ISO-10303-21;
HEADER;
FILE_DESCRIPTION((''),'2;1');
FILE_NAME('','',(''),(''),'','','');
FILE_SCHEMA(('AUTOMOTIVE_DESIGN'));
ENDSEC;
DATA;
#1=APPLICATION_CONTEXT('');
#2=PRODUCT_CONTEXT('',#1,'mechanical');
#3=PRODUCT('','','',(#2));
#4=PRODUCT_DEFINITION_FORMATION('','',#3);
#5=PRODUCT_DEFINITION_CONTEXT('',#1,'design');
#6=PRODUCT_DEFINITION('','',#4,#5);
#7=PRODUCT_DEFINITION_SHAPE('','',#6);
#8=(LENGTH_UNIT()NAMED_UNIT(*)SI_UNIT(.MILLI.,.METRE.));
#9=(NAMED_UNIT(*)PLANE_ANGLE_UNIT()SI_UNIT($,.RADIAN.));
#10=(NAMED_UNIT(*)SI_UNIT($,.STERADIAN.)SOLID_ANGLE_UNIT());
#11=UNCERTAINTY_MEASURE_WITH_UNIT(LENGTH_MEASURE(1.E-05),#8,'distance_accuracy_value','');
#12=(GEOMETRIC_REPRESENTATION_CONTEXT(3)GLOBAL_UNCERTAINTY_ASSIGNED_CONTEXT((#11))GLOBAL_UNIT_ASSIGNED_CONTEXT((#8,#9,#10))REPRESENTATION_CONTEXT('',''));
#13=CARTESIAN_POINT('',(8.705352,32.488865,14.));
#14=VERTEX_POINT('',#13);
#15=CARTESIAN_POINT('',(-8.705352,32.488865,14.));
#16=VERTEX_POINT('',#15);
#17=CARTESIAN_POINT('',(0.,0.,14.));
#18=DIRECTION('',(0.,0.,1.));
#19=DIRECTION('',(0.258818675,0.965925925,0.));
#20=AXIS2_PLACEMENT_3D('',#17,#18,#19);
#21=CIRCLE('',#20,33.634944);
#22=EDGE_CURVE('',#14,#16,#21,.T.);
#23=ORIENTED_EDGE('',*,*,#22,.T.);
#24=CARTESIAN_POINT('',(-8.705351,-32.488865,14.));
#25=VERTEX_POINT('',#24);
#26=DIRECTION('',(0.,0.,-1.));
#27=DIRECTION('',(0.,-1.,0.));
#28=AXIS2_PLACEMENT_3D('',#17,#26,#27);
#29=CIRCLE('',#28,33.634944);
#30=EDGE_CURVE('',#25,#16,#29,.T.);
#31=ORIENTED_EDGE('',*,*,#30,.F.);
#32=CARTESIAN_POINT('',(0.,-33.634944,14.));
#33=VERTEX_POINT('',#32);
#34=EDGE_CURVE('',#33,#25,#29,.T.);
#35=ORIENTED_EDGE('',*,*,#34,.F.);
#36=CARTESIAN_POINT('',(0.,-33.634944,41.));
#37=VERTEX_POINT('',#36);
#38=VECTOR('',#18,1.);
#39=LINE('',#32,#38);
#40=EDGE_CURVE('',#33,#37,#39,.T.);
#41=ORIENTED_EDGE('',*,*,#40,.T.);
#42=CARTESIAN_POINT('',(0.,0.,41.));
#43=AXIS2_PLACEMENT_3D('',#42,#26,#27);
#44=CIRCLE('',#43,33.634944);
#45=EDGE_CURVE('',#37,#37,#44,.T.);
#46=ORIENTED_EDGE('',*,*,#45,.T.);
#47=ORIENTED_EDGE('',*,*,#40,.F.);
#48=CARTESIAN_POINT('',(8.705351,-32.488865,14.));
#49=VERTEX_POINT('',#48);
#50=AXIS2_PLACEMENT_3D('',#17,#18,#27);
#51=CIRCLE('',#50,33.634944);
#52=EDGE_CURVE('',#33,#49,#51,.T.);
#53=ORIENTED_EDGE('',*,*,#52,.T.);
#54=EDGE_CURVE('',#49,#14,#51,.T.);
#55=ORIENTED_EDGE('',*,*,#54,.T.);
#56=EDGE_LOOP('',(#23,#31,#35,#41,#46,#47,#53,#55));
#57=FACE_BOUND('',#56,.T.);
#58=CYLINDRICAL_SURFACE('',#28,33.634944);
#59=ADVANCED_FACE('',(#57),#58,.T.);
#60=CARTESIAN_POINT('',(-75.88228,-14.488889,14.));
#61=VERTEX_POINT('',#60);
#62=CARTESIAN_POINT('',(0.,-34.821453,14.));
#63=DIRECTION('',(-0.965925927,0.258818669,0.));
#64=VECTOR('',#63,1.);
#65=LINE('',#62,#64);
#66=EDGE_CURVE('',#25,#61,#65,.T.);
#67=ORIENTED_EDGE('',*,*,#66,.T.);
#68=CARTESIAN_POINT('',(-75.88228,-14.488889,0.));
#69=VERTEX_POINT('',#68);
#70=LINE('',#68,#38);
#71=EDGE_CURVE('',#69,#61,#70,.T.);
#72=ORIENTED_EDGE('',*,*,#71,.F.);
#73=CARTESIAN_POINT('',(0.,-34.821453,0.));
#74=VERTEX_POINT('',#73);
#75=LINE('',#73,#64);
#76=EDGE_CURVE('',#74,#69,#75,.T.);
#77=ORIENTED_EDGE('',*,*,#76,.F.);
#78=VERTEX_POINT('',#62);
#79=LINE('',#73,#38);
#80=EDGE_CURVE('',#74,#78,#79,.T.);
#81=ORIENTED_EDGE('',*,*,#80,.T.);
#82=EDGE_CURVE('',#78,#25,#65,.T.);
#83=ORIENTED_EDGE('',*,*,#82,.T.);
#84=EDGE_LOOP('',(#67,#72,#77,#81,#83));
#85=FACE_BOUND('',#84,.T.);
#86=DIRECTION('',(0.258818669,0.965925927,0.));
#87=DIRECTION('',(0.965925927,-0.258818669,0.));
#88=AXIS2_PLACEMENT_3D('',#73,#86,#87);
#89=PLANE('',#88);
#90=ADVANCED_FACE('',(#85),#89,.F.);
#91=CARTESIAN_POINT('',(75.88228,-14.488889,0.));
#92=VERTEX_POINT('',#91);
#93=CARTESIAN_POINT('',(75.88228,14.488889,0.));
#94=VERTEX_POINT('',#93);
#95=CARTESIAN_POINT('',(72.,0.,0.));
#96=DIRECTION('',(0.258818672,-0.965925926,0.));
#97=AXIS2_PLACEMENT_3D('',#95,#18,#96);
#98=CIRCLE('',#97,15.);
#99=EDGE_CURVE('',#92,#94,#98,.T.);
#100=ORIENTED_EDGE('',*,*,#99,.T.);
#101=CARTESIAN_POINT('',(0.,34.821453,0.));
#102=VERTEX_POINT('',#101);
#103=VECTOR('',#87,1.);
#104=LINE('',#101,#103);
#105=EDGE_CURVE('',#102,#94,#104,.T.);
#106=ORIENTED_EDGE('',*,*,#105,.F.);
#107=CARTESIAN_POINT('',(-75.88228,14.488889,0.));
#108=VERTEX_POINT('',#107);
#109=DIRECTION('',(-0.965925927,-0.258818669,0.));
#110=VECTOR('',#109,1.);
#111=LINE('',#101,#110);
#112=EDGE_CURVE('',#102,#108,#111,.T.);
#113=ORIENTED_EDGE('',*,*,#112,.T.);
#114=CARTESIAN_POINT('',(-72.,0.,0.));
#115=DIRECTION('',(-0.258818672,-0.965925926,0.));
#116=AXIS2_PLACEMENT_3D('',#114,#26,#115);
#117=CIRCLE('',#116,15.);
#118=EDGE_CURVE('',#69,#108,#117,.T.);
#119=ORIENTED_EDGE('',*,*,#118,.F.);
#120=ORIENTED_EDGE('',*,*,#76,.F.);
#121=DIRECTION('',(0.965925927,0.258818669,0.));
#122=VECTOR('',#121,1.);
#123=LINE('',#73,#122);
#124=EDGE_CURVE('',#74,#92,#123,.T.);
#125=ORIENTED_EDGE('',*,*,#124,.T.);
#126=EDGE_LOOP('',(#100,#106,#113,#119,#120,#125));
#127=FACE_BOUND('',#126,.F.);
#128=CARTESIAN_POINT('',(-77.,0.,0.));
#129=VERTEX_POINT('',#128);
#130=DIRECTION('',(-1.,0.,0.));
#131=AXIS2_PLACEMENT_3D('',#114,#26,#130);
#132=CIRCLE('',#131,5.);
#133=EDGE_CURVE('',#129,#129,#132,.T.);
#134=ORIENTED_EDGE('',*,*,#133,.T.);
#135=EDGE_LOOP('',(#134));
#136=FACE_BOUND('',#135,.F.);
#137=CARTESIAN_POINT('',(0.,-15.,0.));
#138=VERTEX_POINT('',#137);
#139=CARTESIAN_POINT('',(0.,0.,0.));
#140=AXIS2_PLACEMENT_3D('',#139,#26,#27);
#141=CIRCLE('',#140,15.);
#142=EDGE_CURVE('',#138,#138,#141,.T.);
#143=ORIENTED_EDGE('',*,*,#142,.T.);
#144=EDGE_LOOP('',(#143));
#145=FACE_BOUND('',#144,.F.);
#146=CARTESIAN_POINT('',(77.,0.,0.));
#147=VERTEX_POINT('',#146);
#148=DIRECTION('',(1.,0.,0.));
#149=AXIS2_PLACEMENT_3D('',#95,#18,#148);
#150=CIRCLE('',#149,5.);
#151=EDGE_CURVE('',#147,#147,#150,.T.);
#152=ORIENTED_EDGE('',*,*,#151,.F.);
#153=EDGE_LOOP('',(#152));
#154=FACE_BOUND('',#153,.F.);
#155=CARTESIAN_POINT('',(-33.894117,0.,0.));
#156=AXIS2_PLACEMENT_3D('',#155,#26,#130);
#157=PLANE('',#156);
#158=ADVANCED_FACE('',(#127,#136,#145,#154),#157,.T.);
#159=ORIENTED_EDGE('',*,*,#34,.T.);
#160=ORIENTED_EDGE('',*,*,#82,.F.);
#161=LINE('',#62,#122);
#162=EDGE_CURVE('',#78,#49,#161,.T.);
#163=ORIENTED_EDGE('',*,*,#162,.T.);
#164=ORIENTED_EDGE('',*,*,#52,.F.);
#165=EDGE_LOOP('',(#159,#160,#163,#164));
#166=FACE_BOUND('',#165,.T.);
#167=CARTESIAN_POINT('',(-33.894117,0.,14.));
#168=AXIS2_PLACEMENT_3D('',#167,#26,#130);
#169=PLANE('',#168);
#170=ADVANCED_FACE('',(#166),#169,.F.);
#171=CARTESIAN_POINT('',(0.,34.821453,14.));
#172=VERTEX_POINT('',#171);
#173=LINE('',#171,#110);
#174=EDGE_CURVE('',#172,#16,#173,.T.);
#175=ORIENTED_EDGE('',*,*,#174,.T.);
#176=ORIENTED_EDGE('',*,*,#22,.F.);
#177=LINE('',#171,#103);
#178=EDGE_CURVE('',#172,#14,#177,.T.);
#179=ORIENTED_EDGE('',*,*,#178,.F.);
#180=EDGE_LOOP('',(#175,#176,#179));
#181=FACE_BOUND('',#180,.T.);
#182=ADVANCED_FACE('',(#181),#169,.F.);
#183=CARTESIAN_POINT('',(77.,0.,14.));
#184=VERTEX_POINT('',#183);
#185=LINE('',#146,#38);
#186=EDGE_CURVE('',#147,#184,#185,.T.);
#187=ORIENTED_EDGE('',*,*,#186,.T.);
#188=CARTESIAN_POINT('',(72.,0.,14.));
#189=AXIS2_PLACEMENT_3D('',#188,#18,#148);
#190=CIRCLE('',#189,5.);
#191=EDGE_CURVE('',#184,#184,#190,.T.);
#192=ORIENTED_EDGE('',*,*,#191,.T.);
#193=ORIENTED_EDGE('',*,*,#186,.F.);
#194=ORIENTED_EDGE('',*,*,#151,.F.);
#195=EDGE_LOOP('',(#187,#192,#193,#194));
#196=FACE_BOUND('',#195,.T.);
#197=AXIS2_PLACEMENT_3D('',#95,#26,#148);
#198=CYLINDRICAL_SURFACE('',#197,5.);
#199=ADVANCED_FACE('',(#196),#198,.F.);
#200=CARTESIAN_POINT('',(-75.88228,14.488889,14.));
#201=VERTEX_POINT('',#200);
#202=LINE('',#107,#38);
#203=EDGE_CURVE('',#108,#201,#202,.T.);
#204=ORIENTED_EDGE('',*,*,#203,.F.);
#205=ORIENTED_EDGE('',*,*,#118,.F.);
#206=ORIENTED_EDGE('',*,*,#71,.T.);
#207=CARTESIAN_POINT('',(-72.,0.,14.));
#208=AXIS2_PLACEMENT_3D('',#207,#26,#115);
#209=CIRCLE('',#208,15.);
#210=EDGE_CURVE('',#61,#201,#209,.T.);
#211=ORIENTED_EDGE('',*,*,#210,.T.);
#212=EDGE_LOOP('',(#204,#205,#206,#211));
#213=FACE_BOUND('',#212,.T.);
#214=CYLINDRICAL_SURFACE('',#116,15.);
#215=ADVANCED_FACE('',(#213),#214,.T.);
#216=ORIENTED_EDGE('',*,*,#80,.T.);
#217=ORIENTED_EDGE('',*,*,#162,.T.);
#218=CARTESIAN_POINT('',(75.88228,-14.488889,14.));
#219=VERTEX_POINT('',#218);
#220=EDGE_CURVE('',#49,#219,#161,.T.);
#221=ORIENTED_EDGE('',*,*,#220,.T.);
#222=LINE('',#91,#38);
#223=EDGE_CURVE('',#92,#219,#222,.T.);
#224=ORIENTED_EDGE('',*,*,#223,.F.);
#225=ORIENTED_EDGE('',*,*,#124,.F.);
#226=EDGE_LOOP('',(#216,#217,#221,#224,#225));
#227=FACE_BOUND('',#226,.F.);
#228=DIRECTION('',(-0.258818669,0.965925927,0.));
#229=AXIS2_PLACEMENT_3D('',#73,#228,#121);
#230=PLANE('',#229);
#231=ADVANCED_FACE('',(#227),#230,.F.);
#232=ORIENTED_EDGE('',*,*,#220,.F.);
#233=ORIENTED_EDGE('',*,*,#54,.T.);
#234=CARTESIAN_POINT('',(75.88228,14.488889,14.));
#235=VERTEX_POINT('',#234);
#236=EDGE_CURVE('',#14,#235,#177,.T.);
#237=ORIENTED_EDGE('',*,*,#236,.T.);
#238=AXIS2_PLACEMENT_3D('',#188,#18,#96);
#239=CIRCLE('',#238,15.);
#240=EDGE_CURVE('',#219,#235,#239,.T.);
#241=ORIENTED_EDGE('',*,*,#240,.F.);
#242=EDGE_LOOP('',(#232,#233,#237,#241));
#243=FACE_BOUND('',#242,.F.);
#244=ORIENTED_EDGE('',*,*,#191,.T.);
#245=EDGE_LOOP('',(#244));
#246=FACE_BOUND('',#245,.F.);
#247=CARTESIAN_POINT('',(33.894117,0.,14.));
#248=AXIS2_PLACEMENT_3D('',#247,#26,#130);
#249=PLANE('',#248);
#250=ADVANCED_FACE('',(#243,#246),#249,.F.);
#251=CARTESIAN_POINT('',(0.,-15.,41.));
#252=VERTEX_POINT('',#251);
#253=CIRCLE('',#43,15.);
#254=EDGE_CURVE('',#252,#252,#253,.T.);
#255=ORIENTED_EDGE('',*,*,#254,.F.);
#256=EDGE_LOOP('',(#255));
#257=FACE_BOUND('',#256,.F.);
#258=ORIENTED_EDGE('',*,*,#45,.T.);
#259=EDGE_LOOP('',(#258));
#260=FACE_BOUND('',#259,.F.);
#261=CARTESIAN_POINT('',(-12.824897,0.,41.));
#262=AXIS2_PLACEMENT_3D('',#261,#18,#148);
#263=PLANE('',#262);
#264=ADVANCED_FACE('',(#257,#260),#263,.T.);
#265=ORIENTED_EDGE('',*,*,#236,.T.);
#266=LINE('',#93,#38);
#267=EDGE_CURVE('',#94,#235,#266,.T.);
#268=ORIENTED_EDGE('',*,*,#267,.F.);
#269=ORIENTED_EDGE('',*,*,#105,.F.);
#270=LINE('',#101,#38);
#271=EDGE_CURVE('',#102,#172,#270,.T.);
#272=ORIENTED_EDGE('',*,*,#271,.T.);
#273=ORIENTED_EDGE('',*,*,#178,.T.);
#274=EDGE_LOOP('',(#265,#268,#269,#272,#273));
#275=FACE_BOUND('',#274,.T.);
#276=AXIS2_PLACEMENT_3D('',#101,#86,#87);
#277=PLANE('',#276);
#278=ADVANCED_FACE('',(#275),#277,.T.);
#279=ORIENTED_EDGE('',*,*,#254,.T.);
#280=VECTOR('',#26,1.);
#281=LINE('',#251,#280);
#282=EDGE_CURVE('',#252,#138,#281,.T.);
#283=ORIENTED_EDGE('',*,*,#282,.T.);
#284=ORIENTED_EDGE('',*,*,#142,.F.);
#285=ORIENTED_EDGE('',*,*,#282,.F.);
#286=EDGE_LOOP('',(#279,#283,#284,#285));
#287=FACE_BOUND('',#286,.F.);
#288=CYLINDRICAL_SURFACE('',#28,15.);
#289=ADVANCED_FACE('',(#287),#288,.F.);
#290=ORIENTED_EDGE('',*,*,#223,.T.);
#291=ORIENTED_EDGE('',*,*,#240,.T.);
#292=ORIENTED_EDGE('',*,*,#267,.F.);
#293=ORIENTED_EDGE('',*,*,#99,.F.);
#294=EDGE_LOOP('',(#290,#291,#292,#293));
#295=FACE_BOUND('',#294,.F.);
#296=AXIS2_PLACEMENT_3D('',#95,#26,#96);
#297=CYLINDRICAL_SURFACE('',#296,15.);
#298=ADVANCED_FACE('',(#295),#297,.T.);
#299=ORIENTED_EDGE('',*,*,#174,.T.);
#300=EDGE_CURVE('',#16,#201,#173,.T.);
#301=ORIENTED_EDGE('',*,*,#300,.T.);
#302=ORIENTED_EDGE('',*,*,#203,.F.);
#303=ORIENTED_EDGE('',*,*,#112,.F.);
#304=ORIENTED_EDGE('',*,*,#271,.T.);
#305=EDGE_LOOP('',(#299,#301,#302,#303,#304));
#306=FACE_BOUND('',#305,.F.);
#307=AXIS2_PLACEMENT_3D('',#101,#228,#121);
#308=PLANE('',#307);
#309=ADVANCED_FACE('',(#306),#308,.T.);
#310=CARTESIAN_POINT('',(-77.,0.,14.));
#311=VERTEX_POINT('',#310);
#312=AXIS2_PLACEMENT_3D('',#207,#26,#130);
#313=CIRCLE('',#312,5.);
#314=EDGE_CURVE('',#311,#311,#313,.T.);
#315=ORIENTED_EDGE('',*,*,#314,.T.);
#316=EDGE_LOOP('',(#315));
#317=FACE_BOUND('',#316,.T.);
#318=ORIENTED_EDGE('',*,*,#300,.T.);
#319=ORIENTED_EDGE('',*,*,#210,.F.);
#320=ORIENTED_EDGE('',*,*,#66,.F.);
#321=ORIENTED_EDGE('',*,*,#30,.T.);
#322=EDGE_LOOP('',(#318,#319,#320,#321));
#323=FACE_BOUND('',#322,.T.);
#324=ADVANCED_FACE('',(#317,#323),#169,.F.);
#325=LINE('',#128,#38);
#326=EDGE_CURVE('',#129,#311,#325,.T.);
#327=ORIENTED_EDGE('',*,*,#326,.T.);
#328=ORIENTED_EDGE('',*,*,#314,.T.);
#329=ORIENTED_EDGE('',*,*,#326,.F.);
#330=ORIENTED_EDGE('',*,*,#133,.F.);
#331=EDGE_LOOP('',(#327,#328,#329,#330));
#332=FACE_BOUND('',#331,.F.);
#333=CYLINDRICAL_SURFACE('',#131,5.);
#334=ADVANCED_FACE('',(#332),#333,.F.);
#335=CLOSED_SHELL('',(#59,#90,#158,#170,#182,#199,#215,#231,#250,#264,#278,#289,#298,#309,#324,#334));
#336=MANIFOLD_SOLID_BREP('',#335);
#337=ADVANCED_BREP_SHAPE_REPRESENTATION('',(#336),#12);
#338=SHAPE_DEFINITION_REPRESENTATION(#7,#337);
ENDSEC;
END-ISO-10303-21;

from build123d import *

# Parameters (mm, degrees)
SKETCH_R     = 5
PAD_DEPTH    = 14
PAD001_DEPTH = 27


with BuildPart() as part:
    # Sketch → Pad (new body)
    with BuildSketch(Plane.XY):
        with BuildLine():
            Line((0, 34.821453), (75.88228, 14.488889))
            ThreePointArc((75.88228, -14.488889), (87, 0), (75.88228, 14.488889))
            Line((0, -34.821453), (75.88228, -14.488889))
            Line((0, -15), (0, -34.821453))
            ThreePointArc((0, -15), (15, 0), (0, 15))
            Line((0, 34.821453), (0, 15))
        make_face()
        with Locations((72, 0)):
            Circle(SKETCH_R, mode=Mode.SUBTRACT)
    extrude(amount=PAD_DEPTH)

    # Sketch001 (on Face9 of Pad) → Pad001 (join)
    with BuildSketch(Plane.XY.offset(14)):
        with BuildLine():
            ThreePointArc((0, -33.634944), (33.634944, 0), (0, 33.634944))
            Line((0, 15), (0, 33.634944))
            ThreePointArc((0, -15), (15, 0), (0, 15))
            Line((0, -15), (0, -33.634944))
        make_face()
    extrude(amount=PAD001_DEPTH)

    # Mirrored: part across YZ


with BuildPart() as part_1:
    add(part.part)
    add(part.part.mirror(Plane.YZ))


solid = part_1.part
